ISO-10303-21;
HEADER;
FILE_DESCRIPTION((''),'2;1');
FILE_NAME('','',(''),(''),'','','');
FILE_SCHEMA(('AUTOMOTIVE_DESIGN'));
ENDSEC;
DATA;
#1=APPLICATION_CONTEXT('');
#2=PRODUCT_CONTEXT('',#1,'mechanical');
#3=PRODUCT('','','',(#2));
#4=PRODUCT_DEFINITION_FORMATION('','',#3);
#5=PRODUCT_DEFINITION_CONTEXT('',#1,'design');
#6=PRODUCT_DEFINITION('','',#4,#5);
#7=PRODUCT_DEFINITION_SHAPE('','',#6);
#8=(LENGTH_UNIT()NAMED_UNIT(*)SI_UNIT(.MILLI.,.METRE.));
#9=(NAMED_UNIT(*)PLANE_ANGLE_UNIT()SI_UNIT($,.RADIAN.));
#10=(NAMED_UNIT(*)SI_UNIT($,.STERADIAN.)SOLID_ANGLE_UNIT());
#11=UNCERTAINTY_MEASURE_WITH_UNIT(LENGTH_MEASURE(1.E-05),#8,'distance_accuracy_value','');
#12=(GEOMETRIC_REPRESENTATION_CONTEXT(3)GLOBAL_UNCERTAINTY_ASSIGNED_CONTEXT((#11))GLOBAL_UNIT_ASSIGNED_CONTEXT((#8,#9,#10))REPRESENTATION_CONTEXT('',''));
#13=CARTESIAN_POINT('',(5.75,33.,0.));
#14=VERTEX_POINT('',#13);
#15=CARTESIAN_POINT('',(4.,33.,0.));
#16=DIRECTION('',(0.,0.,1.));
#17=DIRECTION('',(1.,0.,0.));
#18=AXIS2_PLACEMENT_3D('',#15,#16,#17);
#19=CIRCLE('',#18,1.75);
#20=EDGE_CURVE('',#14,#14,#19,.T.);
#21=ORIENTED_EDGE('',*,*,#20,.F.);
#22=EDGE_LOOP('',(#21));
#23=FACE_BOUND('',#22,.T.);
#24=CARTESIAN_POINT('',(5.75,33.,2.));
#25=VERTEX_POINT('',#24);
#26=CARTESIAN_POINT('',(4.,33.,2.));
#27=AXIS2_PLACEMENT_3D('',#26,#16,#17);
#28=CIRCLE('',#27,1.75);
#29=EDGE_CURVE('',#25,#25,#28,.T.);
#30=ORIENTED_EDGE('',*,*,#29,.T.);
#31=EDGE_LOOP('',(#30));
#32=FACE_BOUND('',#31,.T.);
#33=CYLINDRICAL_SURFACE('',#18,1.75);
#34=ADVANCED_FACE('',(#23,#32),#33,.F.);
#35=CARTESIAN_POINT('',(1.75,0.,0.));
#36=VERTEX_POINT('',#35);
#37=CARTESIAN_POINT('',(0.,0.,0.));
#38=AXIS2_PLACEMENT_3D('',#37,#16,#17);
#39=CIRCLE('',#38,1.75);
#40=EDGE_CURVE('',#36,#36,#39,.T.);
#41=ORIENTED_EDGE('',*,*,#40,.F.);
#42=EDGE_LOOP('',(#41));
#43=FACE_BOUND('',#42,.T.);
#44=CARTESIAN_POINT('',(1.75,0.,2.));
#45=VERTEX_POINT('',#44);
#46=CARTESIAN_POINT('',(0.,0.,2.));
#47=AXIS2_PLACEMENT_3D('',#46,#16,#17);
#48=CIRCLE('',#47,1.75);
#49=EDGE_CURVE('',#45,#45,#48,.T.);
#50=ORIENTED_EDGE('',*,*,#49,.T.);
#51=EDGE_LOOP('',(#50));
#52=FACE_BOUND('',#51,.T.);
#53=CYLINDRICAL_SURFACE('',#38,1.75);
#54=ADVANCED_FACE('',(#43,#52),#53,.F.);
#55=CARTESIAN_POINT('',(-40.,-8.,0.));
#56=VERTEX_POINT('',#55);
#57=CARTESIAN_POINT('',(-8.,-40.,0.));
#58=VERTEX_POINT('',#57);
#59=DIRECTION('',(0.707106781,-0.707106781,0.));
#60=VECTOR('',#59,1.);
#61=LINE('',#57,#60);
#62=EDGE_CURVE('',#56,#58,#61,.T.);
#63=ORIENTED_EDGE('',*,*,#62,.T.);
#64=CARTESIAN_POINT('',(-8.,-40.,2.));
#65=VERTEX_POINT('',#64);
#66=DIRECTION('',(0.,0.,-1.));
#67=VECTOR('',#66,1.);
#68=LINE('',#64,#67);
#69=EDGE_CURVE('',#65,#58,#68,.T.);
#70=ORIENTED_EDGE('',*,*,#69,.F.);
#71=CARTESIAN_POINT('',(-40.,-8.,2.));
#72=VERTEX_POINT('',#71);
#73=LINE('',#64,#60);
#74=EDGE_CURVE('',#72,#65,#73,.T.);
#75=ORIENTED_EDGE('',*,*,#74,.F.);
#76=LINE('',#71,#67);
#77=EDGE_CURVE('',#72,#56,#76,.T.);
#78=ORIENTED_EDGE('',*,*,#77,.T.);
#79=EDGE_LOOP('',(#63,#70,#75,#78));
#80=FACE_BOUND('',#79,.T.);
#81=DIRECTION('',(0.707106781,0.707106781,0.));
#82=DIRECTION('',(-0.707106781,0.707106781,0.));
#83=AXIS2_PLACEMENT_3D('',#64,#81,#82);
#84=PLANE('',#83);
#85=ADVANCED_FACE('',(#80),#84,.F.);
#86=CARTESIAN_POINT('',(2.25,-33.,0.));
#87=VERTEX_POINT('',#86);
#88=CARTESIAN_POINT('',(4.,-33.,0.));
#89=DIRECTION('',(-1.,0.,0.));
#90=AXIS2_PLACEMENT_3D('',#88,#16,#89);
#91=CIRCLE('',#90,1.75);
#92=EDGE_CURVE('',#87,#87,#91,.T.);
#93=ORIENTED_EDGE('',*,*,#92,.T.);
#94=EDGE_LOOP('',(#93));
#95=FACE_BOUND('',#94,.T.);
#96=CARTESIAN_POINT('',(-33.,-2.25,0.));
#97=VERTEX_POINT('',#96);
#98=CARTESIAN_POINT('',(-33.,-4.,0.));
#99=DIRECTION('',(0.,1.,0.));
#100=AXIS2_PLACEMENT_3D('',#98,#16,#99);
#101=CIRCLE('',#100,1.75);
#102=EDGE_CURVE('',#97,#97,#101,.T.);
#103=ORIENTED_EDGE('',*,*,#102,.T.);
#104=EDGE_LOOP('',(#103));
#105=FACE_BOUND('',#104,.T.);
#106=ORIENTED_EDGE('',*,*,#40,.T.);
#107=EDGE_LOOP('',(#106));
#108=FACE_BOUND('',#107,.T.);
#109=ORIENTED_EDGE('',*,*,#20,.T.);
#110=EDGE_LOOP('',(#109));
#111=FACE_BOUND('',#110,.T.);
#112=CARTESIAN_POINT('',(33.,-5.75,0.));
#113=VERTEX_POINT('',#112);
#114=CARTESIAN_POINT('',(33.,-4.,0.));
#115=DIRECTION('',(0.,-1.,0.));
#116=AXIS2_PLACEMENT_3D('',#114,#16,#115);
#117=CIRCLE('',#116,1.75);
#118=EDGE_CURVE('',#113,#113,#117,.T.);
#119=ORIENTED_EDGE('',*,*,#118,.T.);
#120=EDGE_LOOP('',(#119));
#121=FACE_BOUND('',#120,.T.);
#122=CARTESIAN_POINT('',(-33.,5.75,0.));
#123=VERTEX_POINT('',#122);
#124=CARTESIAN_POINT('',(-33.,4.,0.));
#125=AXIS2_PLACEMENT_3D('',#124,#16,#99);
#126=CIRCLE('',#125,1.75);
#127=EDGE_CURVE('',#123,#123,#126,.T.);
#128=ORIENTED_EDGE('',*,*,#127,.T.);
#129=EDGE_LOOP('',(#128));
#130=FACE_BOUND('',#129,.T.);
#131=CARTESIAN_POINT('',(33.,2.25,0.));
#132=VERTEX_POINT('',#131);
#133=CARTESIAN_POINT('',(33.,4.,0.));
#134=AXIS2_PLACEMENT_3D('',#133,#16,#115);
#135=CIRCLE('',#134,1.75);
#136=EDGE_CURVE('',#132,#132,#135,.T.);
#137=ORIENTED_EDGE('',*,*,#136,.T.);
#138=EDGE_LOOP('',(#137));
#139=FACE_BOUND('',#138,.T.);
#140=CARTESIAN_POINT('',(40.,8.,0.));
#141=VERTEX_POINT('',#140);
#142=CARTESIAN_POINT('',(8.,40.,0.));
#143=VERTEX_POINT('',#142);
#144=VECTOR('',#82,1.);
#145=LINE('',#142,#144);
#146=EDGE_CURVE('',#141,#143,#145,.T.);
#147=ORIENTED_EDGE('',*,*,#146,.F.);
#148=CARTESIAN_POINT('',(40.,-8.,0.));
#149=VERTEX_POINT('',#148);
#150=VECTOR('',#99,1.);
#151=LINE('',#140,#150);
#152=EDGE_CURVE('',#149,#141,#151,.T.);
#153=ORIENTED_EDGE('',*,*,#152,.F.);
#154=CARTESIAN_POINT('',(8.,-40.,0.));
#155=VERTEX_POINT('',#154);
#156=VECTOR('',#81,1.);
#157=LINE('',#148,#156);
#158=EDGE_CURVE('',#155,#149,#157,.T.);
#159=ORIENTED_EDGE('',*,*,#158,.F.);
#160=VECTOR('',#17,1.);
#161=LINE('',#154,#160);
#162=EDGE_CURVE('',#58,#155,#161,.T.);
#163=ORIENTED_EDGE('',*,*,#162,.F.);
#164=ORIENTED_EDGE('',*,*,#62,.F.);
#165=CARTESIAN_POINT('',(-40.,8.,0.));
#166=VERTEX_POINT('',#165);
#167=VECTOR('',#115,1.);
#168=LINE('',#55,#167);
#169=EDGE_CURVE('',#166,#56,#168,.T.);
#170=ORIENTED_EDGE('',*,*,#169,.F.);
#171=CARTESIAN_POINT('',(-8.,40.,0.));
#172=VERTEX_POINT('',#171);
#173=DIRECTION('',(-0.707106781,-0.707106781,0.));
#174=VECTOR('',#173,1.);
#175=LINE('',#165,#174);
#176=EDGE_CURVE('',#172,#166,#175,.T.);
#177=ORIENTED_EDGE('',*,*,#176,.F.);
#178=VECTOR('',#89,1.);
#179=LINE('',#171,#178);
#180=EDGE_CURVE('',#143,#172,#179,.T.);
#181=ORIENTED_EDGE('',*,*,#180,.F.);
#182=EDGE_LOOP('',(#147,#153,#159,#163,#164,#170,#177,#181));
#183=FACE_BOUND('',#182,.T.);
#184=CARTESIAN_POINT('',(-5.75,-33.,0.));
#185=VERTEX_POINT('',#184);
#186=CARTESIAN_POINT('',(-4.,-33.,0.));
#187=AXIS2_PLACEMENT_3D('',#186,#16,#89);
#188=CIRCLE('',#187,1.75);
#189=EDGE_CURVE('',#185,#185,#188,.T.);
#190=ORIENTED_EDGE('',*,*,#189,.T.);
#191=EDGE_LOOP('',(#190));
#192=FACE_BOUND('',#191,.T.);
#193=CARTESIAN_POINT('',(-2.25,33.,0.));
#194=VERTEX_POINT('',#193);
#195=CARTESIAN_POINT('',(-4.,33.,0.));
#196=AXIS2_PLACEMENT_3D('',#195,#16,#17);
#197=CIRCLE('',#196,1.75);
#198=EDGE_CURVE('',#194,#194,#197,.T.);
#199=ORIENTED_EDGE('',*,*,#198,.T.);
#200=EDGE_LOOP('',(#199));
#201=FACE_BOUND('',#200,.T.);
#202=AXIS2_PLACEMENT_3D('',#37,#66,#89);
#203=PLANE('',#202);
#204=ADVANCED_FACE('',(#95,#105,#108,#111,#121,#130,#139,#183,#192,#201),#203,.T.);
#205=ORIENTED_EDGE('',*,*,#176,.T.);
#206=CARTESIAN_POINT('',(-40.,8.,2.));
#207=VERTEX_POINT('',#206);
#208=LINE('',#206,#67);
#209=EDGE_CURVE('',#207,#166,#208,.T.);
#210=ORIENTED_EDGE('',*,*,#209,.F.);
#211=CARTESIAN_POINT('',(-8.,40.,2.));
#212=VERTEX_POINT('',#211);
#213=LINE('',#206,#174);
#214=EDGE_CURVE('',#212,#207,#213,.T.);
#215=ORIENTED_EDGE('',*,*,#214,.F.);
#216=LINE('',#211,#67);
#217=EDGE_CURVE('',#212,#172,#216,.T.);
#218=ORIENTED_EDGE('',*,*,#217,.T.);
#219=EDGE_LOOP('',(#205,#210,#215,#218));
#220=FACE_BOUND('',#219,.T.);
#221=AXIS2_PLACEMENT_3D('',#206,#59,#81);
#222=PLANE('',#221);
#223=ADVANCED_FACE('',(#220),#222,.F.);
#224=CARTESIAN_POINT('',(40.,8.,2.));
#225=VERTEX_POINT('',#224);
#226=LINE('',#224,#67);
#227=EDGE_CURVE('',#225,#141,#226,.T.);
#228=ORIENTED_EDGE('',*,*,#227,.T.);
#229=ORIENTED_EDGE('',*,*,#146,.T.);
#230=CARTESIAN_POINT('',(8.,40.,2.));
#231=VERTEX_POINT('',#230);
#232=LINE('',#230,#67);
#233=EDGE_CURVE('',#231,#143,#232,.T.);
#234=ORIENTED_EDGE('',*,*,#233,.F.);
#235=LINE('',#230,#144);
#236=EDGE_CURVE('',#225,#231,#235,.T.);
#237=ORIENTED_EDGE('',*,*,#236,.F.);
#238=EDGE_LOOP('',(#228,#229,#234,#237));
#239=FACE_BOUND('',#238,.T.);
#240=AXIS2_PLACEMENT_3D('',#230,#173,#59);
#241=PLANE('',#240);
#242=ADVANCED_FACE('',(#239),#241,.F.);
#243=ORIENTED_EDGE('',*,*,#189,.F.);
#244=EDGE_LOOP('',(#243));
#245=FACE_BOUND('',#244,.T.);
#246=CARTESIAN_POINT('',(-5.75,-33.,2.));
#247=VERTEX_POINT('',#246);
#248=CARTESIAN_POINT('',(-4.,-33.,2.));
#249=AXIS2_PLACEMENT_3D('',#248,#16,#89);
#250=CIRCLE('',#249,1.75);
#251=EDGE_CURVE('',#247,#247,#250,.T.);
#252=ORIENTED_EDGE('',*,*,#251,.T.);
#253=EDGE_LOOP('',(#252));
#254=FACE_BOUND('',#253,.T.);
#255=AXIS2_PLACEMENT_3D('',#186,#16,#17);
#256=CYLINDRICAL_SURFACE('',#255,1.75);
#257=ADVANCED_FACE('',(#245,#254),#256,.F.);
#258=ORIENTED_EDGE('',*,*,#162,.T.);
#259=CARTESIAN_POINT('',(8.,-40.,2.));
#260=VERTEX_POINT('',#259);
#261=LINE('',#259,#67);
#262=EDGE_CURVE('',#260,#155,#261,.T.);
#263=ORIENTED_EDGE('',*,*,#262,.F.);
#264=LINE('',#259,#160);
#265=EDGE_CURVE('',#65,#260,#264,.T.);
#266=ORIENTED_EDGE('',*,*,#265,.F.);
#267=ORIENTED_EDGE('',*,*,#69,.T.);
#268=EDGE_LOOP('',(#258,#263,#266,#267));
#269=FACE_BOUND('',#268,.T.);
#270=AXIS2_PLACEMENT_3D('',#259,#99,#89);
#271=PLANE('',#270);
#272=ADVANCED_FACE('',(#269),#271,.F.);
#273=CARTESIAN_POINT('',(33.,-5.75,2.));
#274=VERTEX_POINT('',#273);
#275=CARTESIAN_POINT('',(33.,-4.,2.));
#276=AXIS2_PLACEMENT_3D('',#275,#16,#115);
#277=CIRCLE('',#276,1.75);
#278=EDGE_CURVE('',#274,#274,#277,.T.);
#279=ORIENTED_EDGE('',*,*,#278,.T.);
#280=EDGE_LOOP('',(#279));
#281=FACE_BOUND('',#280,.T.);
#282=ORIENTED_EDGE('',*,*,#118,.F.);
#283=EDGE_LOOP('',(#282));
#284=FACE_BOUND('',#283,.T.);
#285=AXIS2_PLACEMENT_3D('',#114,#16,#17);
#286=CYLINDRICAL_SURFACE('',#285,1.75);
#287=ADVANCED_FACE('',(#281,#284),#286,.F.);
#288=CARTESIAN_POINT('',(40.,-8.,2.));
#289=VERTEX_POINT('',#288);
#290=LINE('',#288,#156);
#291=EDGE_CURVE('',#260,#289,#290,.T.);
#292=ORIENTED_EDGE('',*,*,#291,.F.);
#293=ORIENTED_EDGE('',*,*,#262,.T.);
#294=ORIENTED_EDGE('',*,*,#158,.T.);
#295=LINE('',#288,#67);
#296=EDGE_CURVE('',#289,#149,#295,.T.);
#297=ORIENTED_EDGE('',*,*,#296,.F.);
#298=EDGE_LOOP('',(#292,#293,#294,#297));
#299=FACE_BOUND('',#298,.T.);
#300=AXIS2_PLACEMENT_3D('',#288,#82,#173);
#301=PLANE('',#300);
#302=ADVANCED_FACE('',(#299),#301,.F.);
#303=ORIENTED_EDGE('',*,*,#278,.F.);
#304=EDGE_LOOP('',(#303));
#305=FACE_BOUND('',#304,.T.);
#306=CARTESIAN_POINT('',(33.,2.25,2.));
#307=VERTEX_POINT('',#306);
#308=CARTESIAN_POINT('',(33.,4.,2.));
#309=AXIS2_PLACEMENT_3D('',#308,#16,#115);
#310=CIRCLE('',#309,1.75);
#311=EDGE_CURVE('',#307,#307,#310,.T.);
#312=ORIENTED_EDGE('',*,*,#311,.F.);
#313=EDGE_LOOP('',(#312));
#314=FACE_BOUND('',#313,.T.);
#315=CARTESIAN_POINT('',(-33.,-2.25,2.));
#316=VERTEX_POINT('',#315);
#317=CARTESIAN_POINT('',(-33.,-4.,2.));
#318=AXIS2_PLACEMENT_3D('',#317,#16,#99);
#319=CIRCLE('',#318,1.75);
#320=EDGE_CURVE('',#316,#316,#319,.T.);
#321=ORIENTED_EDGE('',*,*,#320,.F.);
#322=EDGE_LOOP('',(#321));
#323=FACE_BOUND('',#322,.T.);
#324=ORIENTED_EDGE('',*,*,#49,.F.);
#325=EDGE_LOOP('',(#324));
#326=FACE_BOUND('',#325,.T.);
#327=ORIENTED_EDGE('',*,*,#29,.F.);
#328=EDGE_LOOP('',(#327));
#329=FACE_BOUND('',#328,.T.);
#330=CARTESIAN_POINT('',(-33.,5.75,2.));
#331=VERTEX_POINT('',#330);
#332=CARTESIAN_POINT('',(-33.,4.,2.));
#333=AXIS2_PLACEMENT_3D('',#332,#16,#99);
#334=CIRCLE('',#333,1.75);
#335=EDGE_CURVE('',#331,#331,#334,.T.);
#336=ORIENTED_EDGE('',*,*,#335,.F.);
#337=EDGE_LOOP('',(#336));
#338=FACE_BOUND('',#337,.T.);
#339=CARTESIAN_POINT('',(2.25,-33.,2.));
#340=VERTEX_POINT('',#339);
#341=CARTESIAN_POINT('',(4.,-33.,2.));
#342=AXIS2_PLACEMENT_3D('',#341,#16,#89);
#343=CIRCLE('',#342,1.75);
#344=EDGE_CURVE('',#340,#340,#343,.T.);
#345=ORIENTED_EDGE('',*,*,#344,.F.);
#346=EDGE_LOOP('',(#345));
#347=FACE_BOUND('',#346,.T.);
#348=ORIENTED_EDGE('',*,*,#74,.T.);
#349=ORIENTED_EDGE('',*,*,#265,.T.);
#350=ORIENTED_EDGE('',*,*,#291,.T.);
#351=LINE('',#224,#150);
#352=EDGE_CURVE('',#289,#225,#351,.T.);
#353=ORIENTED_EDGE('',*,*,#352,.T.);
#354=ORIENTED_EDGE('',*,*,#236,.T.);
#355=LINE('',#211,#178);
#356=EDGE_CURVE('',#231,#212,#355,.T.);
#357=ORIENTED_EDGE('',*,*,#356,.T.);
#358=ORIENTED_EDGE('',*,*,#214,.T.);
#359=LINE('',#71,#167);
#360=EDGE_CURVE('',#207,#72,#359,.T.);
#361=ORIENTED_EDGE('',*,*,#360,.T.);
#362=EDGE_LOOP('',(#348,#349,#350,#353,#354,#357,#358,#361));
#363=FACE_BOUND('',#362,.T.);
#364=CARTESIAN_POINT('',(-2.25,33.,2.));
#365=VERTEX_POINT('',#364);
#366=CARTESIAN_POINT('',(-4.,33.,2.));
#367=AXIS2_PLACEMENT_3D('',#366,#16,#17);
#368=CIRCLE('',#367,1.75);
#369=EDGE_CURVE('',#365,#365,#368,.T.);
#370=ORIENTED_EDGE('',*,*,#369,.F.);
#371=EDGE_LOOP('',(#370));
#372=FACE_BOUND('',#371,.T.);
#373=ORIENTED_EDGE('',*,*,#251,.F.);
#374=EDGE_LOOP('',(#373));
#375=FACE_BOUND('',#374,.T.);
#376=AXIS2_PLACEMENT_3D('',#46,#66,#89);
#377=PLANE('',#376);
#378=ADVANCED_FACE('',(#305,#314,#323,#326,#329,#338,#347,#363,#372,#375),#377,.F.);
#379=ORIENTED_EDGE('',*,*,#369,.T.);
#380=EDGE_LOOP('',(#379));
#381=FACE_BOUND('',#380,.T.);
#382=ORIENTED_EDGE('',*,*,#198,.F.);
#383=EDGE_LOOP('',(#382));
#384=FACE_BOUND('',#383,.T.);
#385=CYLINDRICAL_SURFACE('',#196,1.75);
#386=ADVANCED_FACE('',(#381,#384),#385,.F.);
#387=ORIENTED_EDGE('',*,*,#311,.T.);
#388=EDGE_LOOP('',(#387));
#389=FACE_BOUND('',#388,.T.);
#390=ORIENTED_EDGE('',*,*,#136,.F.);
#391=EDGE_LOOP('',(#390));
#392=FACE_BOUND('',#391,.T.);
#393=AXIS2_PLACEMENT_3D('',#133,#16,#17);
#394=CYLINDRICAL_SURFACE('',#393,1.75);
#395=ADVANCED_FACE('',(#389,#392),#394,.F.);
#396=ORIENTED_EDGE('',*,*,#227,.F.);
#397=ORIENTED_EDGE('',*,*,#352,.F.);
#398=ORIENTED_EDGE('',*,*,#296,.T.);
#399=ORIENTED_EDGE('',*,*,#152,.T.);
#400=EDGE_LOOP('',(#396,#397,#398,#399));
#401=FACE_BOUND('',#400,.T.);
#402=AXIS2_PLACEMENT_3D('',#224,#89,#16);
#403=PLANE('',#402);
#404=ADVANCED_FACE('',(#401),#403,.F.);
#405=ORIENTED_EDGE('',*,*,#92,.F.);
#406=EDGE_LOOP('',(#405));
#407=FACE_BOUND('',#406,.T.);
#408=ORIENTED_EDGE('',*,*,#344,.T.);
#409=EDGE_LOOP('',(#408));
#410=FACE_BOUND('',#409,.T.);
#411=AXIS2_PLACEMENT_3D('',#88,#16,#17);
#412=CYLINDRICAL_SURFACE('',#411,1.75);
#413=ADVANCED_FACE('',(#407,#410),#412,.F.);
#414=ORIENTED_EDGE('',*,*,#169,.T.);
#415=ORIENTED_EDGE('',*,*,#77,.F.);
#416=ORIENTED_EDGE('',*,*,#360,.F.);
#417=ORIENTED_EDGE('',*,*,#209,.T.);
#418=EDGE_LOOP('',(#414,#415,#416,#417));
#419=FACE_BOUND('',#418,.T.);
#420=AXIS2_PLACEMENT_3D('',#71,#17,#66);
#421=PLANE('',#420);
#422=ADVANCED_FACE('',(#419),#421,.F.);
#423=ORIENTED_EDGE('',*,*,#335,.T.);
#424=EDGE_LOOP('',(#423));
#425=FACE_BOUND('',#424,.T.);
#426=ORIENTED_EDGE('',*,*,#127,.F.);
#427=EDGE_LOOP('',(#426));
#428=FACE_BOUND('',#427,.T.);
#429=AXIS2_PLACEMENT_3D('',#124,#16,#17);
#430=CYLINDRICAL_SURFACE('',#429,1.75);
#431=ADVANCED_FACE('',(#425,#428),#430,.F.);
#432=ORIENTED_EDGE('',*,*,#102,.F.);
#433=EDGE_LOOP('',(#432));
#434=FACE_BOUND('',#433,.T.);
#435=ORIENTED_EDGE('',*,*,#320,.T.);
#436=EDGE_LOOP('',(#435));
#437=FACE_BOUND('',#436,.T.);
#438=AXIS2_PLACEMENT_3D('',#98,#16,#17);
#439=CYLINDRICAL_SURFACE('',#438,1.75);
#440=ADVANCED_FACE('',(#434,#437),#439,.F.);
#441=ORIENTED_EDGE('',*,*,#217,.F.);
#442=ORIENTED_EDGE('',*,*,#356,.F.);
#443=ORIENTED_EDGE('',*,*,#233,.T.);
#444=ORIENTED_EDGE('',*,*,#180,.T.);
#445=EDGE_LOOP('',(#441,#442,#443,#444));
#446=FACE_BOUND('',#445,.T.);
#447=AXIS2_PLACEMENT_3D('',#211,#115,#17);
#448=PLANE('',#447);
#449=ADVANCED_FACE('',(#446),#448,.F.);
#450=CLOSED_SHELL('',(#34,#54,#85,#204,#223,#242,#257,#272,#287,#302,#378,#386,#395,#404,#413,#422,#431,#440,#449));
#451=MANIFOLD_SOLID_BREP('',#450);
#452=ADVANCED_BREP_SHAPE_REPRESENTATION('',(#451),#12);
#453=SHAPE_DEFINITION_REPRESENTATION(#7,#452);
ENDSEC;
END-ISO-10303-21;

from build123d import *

# Parameters (mm, degrees)
BOSS_EXTRUDE1_DEPTH = 2
CUT_EXTRUDE1_START  = -3
SKETCH2_R           = 1.75
CUT_EXTRUDE1_DEPTH  = 4
CIRPATTERN1_COUNT   = 4


with BuildPart() as part:
    # Sketch1 → Boss-Extrude1 (new body)
    with BuildSketch(Plane.XY):
        Polygon((-8, 40), (8, 40), (40, 8), (40, -8), (8, -40), (-8, -40), (-40, -8), (-40, 8), align=None)
    extrude(amount=BOSS_EXTRUDE1_DEPTH)

    # Sketch2 → Cut-Extrude1 (cut)
    with BuildSketch(Plane.XY.offset(2).offset(CUT_EXTRUDE1_START)):
        with Locations((-4, 33)):
            Circle(SKETCH2_R)
        with Locations((4, 33)):
            Circle(SKETCH2_R)
        Circle(SKETCH2_R)
    cut_extrude1 = extrude(amount=CUT_EXTRUDE1_DEPTH, mode=Mode.SUBTRACT)

    # CirPattern1: Cut-Extrude1 ×4 about axis
    cirpattern1_axis = Axis((0, 0, 0), (0, 0, 1))
    for i in range(1, CIRPATTERN1_COUNT):
        add(cut_extrude1.rotate(cirpattern1_axis, i * 360 / CIRPATTERN1_COUNT), mode=Mode.SUBTRACT)


solid = part.part
